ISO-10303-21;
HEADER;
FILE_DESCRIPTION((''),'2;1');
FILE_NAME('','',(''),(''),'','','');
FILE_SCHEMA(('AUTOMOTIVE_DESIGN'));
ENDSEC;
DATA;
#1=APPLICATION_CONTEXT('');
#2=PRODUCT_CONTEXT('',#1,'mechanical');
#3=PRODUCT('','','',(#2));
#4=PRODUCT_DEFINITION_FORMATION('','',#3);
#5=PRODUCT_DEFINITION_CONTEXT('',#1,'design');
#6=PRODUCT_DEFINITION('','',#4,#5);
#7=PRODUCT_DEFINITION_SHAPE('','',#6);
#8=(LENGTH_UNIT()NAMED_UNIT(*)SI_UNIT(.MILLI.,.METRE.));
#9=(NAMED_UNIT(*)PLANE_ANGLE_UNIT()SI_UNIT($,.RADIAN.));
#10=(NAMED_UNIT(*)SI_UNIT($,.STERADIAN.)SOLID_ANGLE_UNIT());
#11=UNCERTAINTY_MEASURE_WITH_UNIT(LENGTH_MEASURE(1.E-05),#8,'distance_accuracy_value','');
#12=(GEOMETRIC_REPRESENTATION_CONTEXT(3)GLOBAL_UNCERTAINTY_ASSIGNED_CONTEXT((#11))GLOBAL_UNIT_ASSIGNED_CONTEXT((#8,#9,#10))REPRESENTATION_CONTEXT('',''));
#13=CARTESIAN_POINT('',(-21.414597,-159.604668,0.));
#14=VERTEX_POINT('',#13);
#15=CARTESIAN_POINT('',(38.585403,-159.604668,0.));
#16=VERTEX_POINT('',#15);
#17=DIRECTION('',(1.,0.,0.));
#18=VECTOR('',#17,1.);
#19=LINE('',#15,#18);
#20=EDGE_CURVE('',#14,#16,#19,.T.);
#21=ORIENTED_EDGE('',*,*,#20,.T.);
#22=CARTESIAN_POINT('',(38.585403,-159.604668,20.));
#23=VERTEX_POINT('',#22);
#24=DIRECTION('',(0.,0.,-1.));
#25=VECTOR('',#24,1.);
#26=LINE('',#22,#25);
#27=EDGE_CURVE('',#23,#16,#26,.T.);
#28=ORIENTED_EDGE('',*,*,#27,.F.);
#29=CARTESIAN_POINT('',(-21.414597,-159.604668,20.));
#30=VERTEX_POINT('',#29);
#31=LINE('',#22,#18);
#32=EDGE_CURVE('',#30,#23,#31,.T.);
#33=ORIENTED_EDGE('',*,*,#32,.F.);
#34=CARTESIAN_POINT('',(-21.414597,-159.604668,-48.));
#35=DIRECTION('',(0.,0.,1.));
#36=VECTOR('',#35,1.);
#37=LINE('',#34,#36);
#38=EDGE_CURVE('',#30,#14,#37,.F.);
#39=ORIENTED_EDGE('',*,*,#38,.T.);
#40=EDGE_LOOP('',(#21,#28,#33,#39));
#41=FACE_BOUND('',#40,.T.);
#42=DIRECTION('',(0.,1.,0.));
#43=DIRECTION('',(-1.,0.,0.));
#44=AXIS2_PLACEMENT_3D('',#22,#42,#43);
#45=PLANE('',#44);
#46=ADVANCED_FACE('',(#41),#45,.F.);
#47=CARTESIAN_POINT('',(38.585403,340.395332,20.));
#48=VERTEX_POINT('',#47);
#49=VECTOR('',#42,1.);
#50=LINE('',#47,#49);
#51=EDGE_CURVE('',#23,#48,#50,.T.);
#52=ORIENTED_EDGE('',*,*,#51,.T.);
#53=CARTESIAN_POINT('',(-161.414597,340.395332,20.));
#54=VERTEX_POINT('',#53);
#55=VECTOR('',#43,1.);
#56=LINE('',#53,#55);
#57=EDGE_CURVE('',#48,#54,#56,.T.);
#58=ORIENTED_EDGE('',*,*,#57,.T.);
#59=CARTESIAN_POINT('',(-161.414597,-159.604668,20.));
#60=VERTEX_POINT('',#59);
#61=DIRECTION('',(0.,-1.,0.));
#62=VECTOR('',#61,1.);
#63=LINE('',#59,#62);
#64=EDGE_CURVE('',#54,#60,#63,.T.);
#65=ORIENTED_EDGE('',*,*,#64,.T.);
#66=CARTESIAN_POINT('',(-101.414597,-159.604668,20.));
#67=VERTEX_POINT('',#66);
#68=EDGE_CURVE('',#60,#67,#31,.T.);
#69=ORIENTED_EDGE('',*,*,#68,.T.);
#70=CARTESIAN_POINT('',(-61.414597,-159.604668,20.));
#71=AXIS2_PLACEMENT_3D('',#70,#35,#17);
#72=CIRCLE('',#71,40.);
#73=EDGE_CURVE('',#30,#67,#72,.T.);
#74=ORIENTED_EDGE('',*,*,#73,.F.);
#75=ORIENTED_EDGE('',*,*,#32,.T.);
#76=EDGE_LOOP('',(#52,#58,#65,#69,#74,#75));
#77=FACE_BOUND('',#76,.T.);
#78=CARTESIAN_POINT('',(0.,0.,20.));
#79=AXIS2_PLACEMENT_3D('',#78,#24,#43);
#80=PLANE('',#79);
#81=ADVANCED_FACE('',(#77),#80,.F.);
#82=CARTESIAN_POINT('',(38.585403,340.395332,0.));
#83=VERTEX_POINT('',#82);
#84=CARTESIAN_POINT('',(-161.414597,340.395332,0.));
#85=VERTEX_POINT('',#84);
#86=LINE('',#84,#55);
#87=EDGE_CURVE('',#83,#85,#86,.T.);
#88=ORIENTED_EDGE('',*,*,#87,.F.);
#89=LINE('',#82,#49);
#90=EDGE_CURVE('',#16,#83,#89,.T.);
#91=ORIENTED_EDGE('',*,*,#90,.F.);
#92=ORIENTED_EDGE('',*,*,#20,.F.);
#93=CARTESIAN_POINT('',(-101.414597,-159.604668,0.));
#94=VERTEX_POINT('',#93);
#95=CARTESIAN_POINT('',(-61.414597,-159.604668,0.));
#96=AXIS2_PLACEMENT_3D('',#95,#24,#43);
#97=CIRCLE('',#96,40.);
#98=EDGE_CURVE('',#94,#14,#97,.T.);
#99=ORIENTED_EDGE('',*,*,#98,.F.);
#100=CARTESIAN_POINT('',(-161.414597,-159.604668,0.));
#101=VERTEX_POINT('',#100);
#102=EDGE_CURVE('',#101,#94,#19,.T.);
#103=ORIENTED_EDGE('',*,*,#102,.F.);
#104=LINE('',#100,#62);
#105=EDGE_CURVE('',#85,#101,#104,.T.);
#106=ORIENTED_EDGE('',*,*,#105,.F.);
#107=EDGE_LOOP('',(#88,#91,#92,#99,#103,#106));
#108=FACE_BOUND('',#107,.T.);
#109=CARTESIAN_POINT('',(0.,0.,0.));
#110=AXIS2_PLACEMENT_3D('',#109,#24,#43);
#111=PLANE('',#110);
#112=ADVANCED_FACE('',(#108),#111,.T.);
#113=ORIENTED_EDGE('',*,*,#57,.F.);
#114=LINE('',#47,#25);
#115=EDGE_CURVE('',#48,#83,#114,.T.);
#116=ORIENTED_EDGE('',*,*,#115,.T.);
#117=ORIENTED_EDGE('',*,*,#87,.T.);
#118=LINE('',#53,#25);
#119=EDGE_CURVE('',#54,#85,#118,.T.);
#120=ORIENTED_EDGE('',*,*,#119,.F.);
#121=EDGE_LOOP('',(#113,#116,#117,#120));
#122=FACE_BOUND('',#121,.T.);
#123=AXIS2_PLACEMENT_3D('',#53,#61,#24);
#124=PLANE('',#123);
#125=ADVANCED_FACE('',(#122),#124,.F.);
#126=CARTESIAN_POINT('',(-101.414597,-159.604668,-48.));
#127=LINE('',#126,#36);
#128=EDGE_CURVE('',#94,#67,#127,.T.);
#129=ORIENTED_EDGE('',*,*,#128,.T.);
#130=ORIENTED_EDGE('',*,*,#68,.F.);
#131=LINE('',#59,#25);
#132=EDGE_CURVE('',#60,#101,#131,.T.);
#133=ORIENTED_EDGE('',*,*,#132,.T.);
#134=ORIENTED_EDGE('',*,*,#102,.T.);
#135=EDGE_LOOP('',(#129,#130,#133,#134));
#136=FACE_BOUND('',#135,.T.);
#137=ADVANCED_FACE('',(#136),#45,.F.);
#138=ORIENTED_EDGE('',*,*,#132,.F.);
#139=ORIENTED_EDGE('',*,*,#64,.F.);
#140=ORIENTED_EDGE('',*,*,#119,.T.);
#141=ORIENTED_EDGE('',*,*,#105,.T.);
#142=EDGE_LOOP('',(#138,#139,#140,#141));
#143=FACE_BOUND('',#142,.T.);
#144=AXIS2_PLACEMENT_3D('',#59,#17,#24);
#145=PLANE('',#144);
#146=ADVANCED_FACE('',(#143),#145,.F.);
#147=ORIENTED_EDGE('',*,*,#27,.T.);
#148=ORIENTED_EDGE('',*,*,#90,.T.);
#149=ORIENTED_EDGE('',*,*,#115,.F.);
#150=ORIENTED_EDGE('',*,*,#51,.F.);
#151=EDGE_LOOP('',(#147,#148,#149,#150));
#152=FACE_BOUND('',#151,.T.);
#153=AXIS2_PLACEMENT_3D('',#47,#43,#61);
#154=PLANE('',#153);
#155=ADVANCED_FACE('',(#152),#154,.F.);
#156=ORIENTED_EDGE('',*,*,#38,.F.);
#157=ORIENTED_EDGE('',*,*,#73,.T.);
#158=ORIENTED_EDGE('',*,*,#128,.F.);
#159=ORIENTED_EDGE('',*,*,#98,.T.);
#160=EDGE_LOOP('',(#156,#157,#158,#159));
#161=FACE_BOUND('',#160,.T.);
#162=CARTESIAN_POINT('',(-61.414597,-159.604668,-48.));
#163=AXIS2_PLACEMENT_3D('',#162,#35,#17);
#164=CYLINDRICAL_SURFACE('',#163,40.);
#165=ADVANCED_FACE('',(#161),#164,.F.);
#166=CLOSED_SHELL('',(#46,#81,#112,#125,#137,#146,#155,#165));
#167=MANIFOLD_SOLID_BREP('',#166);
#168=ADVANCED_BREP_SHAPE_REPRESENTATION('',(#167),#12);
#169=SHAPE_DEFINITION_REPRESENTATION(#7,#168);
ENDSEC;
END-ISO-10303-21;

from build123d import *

# Parameters (mm, degrees)
SKETCH1_W           = 200
SKETCH1_H           = 500
BOSS_EXTRUDE1_DEPTH = 20
SKETCH2_R           = 40
CUT_EXTRUDE1_DEPTH  = 68


with BuildPart() as part:
    # Sketch1 → Boss-Extrude1 (new body)
    with BuildSketch(Plane.XY):
        with Locations((-61.414597136, 90.395332254)):
            Rectangle(SKETCH1_W, SKETCH1_H)
    extrude(amount=BOSS_EXTRUDE1_DEPTH)

    # Sketch2 → Cut-Extrude1 (cut)
    with BuildSketch(Plane.XY.offset(20)):
        with Locations((-61.414597136, -159.604667746)):
            Circle(SKETCH2_R)
    extrude(amount=-CUT_EXTRUDE1_DEPTH, mode=Mode.SUBTRACT)


solid = part.part
